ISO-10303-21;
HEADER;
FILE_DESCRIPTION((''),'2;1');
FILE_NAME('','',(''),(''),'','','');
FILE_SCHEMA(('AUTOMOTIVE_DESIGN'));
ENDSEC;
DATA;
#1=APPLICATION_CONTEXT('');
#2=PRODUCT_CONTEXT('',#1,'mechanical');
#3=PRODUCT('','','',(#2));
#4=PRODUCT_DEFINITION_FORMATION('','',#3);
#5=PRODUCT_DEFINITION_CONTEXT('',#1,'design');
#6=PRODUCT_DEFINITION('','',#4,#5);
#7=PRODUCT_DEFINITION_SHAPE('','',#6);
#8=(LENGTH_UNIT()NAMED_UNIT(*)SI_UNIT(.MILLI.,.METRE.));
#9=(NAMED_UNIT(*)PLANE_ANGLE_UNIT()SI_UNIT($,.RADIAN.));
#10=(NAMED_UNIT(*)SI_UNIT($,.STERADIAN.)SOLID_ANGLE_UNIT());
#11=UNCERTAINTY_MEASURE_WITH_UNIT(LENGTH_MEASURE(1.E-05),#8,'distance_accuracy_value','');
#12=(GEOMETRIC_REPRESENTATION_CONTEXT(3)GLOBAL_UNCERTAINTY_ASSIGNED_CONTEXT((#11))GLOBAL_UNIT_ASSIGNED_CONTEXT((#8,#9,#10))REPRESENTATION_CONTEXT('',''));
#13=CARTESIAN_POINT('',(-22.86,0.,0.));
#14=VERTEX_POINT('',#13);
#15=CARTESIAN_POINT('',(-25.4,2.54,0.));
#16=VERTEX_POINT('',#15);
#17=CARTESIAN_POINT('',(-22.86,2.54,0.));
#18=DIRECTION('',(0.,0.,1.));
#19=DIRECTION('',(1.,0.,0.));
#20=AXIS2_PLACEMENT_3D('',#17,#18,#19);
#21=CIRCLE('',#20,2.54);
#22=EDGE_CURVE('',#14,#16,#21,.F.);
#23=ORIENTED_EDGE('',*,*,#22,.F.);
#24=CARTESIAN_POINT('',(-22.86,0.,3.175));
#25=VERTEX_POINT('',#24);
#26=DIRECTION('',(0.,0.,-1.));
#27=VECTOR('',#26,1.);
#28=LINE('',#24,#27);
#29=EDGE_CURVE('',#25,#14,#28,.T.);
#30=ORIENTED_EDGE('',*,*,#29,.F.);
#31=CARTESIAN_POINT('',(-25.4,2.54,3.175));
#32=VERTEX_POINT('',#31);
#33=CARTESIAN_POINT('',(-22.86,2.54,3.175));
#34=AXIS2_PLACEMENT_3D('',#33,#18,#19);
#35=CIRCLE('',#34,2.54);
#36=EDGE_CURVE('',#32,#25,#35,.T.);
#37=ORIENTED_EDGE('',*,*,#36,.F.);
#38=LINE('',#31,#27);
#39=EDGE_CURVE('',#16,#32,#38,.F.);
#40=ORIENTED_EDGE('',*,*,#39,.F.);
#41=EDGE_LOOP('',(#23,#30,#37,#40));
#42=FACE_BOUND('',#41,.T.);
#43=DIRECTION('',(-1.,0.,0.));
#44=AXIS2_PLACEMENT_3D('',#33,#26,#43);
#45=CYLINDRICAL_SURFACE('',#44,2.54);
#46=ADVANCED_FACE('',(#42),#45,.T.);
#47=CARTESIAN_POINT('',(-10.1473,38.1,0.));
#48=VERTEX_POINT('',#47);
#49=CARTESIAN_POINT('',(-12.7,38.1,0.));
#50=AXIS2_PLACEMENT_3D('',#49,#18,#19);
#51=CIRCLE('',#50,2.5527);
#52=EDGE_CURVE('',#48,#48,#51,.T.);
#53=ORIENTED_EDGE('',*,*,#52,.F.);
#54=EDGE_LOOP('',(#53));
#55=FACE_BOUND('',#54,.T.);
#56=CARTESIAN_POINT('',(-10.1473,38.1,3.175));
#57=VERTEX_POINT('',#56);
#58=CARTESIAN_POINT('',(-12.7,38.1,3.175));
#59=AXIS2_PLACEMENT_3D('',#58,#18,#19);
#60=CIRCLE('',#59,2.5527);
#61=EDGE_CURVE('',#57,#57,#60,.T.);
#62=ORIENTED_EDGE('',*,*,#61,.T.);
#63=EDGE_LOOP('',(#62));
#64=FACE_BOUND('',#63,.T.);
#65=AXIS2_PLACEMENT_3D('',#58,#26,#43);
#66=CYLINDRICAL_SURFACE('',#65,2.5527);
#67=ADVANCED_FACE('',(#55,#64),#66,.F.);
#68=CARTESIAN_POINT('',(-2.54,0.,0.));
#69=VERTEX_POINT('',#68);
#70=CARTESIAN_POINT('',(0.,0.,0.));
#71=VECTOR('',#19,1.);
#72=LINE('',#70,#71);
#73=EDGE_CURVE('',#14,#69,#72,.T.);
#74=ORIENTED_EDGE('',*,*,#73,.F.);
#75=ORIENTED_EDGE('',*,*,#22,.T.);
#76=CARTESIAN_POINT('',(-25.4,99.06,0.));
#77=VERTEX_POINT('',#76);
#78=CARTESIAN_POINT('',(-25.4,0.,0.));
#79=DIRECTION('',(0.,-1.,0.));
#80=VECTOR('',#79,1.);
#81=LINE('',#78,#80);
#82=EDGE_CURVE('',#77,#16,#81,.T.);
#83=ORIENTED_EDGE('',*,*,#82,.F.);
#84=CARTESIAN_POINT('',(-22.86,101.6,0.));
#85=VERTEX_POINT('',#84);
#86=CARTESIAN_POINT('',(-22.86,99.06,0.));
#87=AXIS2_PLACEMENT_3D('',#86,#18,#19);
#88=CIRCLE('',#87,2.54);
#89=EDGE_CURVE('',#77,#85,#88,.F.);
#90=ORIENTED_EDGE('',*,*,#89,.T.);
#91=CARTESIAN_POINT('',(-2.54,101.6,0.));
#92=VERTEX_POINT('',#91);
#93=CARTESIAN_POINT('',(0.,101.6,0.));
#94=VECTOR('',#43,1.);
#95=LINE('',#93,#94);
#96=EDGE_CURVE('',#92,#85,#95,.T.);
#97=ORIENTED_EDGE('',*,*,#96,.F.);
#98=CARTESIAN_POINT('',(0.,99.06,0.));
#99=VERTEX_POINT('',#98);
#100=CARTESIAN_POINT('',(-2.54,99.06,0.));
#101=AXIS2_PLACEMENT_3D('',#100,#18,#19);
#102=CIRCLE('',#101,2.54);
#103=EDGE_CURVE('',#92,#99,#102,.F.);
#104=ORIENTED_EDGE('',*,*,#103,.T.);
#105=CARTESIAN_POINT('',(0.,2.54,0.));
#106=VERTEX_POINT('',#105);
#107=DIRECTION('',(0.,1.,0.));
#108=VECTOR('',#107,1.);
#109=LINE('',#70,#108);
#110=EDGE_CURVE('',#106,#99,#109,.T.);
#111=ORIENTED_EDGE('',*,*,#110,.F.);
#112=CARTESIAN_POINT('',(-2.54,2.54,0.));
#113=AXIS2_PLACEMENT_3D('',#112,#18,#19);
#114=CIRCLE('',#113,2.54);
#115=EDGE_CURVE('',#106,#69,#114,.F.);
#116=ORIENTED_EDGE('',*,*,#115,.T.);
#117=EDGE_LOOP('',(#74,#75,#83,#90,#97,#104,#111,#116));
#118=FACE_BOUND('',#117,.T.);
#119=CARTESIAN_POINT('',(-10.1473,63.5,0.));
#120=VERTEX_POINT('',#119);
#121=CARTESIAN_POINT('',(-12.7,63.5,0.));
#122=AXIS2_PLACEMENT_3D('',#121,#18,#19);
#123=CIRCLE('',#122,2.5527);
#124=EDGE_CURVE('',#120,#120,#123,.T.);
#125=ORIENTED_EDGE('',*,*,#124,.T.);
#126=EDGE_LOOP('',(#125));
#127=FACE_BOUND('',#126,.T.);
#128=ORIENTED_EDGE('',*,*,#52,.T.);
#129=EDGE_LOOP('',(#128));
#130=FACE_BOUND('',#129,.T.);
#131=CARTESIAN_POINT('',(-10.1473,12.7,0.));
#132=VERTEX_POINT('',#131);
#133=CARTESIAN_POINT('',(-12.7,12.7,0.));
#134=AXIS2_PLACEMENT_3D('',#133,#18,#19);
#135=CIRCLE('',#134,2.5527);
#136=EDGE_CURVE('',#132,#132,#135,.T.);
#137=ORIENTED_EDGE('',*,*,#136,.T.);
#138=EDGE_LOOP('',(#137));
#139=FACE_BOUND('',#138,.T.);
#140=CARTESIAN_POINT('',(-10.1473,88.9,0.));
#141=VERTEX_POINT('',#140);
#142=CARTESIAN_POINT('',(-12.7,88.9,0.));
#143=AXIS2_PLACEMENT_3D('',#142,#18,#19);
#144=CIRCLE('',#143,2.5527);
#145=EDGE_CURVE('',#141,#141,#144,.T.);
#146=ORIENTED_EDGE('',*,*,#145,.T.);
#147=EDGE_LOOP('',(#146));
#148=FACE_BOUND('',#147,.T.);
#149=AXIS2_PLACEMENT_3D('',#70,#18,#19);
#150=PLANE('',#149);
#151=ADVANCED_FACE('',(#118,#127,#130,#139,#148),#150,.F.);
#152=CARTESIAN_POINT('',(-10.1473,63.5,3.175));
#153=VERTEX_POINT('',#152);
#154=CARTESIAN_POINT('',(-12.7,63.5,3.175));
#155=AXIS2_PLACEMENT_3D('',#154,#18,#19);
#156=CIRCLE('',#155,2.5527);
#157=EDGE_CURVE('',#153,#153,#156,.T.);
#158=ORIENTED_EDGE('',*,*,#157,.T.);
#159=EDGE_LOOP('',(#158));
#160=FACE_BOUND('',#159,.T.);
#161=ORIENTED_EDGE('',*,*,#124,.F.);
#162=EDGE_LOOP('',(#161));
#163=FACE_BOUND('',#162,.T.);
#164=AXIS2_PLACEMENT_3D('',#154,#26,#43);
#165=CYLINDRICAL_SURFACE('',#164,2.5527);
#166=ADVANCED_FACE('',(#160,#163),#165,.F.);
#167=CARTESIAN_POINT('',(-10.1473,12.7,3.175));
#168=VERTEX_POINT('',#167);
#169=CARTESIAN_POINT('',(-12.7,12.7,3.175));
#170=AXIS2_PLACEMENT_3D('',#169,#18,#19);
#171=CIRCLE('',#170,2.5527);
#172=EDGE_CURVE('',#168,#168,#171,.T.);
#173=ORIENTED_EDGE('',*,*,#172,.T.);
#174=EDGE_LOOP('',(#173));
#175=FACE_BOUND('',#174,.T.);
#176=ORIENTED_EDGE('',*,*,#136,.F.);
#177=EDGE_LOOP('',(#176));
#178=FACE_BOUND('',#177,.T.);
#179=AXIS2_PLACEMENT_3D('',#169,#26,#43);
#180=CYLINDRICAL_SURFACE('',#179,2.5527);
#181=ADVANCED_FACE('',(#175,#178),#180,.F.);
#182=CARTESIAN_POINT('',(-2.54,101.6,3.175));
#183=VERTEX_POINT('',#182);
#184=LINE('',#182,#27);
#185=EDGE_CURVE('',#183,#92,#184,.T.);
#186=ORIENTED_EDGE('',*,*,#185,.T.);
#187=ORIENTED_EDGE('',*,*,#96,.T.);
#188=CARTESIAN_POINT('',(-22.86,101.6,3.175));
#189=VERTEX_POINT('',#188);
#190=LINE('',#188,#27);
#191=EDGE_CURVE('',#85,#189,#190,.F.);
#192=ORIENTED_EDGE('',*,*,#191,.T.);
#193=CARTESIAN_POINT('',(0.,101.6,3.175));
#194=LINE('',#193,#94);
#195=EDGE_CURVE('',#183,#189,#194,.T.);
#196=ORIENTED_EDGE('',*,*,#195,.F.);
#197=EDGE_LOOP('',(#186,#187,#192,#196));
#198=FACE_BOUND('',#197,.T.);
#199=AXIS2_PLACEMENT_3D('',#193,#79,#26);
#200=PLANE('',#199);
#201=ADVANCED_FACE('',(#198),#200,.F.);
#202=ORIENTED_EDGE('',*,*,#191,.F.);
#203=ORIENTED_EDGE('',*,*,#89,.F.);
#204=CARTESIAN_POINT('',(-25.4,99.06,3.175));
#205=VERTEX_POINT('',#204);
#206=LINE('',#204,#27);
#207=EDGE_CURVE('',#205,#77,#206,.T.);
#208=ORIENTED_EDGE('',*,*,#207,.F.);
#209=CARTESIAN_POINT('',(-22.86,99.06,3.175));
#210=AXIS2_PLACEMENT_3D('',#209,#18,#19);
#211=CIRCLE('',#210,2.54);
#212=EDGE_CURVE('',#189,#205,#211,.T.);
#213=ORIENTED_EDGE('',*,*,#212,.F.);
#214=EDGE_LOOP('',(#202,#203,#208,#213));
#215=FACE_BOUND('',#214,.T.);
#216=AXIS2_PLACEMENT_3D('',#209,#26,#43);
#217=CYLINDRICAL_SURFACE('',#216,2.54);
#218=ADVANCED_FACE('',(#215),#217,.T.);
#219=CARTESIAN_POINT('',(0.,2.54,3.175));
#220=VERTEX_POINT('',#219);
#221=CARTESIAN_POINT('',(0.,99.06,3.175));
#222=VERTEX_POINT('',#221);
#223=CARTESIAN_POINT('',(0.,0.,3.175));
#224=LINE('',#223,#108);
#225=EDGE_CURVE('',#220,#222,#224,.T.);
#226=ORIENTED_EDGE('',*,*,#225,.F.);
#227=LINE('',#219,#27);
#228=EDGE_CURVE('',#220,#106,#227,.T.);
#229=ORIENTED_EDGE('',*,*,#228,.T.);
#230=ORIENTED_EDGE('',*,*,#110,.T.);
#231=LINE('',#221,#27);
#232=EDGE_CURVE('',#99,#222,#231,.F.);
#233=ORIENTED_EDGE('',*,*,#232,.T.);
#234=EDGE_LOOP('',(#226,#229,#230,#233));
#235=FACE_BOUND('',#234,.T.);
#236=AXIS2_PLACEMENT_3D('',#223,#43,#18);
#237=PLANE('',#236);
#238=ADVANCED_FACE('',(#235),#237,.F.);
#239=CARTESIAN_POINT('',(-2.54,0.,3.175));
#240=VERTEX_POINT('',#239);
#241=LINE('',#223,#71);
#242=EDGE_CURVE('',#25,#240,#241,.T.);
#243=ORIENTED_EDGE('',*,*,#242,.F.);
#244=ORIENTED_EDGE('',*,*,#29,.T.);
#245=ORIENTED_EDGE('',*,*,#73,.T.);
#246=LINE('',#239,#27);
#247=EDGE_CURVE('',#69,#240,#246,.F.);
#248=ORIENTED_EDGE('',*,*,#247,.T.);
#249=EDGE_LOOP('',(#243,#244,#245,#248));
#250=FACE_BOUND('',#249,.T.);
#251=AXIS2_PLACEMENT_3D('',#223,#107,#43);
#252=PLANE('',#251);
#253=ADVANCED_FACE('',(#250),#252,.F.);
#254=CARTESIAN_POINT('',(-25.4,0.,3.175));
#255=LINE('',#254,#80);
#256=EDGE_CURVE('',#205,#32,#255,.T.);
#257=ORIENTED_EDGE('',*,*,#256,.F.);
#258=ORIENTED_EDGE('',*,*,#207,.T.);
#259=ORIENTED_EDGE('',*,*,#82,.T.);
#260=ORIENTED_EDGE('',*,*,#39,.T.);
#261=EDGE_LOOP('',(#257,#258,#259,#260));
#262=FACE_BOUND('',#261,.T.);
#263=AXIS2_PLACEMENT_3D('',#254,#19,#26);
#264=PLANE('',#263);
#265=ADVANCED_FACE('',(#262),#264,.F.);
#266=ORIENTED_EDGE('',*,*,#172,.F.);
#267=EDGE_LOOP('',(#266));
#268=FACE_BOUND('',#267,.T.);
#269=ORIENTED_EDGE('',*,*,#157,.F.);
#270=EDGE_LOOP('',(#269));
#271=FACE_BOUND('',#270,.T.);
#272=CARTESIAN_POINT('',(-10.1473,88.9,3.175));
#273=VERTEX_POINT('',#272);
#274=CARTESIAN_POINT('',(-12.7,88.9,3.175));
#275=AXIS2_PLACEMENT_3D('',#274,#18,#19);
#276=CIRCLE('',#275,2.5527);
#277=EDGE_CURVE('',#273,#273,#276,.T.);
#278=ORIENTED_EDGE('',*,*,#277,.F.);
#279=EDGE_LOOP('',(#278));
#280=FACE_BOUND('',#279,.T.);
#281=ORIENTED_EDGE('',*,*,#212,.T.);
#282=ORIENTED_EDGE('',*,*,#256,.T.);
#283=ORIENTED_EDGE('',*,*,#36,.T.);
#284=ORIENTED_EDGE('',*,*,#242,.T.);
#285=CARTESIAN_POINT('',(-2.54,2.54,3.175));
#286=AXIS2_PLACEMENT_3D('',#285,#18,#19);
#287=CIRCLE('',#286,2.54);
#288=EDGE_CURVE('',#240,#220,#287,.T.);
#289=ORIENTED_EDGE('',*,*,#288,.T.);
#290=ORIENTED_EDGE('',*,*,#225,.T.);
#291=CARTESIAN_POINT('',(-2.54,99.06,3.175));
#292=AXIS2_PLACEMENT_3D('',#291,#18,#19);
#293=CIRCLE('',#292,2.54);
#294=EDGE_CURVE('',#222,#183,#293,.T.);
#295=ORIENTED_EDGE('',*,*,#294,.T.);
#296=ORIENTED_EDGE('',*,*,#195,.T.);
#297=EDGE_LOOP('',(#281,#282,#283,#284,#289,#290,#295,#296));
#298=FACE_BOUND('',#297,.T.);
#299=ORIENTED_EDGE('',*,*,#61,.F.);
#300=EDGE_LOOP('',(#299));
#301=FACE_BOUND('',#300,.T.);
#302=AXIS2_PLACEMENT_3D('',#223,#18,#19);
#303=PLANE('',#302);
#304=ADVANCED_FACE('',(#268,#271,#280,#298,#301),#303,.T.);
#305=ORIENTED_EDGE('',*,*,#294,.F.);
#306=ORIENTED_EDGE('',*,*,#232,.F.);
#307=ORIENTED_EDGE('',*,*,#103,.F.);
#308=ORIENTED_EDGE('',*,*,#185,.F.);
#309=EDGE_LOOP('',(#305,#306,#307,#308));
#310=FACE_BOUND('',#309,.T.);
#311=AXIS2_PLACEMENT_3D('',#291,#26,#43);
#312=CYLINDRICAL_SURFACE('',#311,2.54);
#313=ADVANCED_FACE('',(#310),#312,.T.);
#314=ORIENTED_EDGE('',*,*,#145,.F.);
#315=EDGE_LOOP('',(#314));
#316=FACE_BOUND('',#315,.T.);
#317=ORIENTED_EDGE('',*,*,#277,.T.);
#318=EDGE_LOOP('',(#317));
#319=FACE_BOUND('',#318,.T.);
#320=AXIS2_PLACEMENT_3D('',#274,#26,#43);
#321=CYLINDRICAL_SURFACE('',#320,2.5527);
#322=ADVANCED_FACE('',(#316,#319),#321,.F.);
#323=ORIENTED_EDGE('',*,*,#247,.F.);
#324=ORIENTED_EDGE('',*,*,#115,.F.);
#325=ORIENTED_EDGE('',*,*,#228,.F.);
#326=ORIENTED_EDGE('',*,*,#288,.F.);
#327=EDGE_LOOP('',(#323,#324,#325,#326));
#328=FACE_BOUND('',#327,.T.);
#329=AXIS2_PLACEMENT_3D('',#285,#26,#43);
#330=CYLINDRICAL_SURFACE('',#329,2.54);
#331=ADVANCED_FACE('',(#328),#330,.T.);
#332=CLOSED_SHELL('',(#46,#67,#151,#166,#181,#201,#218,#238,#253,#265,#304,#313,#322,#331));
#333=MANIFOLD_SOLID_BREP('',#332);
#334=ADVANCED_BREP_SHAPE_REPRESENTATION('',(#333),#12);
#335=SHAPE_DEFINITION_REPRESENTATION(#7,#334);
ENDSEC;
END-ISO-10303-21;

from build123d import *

# Parameters (mm, degrees)
SKETCH1_W           = 25.4
SKETCH1_H           = 101.6
SKETCH1_R           = 2.5527
BOSS_EXTRUDE1_DEPTH = 3.175
FILLET1_R           = 2.54


with BuildPart() as part:
    # Sketch1 → Boss-Extrude1 (new body)
    with BuildSketch(Plane.XY):
        with Locations((-12.7, 50.8)):
            Rectangle(SKETCH1_W, SKETCH1_H)
        with Locations((-12.7, 88.9)):
            Circle(SKETCH1_R, mode=Mode.SUBTRACT)
        with Locations((-12.7, 63.5)):
            Circle(SKETCH1_R, mode=Mode.SUBTRACT)
        with Locations((-12.7, 38.1)):
            Circle(SKETCH1_R, mode=Mode.SUBTRACT)
        with Locations((-12.7, 12.7)):
            Circle(SKETCH1_R, mode=Mode.SUBTRACT)
    extrude(amount=BOSS_EXTRUDE1_DEPTH)

    # Fillet1
    fillet1_edges = [part.edges().sort_by_distance(p)[0] for p in [
        (0, 0, 1.5875),
        (-25.4, 0, 1.5875),
        (-25.4, 101.6, 1.5875),
        (0, 101.6, 1.5875),
    ]]
    fillet(fillet1_edges, radius=FILLET1_R)


solid = part.part
